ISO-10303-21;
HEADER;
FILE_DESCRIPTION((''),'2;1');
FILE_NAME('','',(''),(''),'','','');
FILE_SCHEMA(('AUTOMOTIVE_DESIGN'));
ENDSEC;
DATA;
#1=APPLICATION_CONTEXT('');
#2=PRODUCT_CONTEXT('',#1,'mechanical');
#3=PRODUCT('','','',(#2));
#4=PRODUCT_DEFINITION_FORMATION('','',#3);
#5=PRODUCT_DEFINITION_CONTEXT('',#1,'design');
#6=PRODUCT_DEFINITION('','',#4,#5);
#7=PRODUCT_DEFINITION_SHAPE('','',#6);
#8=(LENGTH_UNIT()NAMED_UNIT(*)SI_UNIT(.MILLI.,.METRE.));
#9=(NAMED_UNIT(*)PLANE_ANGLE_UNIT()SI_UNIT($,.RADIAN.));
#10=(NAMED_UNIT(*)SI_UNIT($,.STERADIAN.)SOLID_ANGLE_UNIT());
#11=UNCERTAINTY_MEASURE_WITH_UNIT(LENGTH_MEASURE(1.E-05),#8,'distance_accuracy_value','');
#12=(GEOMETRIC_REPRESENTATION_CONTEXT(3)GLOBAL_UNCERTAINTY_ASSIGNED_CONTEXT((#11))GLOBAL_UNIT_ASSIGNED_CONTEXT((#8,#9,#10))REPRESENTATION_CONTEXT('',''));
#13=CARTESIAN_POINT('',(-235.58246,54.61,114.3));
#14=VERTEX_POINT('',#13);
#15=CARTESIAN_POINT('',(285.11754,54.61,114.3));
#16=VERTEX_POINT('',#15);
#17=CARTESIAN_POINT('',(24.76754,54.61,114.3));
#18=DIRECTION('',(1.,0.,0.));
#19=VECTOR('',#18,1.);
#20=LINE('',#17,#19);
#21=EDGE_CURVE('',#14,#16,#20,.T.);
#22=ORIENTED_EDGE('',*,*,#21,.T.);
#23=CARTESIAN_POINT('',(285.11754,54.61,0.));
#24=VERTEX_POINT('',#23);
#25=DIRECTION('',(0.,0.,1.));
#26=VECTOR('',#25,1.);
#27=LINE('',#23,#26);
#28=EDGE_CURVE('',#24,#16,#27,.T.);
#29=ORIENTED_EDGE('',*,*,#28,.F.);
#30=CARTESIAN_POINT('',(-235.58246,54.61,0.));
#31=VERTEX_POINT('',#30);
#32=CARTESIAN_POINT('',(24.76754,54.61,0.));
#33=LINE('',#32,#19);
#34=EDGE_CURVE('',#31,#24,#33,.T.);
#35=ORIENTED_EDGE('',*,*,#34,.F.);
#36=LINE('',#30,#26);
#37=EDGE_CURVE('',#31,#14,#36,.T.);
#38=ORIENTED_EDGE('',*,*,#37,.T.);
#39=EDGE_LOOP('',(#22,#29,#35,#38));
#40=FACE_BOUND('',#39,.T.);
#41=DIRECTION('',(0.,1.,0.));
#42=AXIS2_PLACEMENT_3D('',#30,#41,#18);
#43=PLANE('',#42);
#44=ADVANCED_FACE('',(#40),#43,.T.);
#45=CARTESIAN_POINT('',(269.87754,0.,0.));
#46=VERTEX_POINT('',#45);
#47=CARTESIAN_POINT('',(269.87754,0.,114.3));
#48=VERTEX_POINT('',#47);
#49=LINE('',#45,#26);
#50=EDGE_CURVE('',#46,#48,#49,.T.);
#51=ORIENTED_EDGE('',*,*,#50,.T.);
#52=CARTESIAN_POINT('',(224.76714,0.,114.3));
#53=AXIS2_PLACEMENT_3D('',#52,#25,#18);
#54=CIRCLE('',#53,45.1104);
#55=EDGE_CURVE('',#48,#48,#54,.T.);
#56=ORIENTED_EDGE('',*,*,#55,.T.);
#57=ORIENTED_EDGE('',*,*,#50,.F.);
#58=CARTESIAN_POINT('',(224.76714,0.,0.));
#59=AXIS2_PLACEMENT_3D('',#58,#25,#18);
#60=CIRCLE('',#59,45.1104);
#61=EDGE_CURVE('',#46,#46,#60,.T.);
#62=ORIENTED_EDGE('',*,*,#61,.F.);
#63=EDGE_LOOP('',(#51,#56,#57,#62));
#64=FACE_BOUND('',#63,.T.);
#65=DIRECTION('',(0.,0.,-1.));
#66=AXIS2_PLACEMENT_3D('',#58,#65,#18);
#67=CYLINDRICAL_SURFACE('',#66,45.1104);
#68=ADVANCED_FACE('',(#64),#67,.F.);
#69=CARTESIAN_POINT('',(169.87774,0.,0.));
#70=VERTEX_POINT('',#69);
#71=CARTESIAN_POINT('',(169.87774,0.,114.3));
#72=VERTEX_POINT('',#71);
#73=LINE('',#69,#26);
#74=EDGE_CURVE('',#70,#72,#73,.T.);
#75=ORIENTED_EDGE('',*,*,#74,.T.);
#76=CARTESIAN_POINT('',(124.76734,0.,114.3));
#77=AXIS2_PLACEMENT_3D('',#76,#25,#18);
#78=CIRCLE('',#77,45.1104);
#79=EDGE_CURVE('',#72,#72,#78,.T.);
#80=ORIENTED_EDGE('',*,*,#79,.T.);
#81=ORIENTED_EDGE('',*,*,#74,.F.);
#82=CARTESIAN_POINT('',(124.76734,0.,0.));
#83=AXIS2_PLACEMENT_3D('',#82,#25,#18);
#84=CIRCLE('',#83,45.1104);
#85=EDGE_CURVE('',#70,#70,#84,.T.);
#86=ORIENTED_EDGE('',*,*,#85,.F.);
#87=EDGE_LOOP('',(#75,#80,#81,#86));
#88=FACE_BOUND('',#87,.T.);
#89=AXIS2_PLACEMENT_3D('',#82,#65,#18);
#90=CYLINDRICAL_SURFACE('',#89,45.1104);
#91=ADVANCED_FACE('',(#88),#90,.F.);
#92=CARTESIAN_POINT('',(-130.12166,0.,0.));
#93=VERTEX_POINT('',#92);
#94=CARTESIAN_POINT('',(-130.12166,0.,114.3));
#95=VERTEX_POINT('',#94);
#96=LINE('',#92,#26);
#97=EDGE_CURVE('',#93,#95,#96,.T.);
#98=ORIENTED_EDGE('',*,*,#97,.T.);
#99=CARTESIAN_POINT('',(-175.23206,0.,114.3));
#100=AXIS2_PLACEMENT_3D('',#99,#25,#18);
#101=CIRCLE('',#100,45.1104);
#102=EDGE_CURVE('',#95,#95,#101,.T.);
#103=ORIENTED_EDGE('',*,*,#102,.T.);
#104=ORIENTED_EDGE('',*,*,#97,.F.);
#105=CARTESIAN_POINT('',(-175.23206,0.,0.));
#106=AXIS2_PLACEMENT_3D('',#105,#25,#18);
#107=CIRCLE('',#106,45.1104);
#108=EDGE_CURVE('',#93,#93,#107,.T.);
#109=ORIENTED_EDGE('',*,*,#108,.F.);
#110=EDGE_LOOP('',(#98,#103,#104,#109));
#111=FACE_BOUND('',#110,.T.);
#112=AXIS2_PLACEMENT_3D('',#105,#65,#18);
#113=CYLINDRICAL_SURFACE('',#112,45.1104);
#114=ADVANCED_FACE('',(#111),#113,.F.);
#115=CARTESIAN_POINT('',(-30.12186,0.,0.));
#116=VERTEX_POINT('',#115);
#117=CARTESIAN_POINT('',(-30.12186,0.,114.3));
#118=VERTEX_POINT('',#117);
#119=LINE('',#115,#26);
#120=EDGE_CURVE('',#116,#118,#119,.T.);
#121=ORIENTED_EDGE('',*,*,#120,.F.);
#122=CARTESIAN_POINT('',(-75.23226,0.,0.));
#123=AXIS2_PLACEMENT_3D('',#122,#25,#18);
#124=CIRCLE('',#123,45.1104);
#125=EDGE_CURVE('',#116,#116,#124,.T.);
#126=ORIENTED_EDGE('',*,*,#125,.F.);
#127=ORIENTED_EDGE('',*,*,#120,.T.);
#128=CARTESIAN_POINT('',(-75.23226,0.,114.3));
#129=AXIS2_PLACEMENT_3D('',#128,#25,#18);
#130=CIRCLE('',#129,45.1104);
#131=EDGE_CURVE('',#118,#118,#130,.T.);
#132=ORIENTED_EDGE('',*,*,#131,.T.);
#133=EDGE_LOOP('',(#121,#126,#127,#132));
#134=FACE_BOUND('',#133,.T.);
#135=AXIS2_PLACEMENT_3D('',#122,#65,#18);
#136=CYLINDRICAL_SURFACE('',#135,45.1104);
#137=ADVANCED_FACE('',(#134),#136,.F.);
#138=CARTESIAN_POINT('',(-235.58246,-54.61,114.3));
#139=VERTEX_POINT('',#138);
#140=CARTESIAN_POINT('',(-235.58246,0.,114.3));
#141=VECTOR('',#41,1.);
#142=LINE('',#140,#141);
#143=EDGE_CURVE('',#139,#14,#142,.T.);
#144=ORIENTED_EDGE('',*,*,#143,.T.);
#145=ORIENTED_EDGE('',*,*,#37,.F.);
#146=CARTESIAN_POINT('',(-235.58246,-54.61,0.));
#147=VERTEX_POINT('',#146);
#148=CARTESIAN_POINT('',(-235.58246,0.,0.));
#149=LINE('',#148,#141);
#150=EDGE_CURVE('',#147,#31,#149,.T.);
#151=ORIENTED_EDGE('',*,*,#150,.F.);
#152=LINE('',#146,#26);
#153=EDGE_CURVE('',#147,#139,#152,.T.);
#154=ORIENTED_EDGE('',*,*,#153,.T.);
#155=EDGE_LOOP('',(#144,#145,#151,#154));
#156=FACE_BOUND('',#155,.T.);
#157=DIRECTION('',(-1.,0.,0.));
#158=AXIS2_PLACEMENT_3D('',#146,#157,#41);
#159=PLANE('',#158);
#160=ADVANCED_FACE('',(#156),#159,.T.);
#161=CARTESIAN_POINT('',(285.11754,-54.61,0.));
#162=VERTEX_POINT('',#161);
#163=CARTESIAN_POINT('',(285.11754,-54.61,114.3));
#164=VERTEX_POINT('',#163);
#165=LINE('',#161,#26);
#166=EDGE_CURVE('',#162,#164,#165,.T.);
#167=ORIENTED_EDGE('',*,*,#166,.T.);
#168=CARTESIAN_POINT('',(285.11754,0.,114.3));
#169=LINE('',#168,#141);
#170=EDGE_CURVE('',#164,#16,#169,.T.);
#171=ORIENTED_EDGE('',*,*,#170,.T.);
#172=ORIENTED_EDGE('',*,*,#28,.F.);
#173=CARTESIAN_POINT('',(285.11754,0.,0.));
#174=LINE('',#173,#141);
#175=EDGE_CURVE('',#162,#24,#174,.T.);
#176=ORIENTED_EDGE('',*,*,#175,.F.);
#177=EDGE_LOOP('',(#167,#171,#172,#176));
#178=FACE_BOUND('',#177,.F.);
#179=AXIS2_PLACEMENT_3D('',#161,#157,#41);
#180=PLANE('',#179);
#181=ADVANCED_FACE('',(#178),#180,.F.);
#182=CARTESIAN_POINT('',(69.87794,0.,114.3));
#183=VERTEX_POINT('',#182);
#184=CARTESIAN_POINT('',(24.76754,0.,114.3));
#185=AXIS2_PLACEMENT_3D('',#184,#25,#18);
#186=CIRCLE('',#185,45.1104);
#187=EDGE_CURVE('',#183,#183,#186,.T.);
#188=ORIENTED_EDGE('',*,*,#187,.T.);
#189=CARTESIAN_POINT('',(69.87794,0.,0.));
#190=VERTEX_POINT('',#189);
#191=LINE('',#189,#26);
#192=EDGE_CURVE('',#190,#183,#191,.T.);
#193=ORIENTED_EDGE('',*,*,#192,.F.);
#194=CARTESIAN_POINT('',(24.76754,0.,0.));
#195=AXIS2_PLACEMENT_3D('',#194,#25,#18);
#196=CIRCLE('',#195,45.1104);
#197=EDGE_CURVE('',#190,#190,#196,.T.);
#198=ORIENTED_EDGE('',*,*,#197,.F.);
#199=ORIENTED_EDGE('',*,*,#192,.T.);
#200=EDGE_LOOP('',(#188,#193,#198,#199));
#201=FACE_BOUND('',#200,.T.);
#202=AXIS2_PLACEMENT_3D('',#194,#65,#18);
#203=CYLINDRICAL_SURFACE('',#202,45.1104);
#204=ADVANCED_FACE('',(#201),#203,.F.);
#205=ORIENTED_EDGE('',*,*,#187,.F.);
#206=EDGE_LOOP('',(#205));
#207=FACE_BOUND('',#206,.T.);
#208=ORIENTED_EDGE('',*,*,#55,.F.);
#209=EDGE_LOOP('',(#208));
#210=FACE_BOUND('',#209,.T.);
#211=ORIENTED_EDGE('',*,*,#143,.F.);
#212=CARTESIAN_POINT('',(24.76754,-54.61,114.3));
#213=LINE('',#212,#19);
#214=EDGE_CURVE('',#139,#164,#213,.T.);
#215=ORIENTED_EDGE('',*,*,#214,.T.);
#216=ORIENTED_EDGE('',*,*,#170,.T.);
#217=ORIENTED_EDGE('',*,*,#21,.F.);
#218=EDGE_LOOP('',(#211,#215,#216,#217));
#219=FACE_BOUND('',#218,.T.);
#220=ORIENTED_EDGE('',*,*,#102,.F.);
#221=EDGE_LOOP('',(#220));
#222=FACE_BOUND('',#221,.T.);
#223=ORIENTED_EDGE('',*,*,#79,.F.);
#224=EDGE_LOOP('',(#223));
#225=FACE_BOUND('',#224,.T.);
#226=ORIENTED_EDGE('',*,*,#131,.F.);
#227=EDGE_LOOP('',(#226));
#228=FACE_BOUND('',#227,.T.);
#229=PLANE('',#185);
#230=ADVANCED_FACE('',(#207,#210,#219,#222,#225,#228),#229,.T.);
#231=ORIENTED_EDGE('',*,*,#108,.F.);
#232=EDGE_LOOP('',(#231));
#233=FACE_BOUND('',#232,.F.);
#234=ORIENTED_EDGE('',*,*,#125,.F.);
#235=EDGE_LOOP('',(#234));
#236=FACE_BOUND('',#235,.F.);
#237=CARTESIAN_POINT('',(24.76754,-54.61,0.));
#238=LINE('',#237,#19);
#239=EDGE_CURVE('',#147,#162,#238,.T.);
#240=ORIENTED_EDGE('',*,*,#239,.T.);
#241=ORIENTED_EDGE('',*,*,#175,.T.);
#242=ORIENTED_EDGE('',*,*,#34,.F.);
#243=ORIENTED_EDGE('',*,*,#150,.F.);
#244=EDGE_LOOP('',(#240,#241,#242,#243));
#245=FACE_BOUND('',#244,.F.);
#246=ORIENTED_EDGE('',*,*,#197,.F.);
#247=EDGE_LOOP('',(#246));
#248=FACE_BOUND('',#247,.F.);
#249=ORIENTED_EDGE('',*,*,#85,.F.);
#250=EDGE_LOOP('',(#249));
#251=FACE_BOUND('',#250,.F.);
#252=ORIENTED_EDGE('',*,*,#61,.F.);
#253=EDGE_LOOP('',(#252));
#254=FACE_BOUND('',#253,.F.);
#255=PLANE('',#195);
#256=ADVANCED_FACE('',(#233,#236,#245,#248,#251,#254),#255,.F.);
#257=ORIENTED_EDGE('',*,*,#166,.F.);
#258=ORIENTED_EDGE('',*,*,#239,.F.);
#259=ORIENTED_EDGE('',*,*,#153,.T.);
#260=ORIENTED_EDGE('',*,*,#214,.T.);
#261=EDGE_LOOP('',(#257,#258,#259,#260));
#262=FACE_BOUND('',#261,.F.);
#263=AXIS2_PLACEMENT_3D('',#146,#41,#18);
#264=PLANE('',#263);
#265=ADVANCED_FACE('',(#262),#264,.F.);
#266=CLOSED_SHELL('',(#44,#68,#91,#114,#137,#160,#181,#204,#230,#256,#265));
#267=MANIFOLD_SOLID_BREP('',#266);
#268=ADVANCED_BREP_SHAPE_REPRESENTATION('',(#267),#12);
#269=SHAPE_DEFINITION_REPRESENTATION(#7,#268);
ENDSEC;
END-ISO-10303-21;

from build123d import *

# Parameters (mm, degrees)
F0_W     = 520.7
F0_H     = 109.22
F0_R     = 45.1104
F1_DEPTH = 114.3


with BuildPart() as f1:
    # F0 (on Top) → F1 (new body)
    with BuildSketch(Plane.XY):
        with Locations((24.76754, 0)):
            Rectangle(F0_W, F0_H)
        with Locations((-175.23206, 0)):
            Circle(F0_R, mode=Mode.SUBTRACT)
        with Locations((-75.23226, 0)):
            Circle(F0_R, mode=Mode.SUBTRACT)
        with Locations((24.76754, 0)):
            Circle(F0_R, mode=Mode.SUBTRACT)
        with Locations((124.76734, 0)):
            Circle(F0_R, mode=Mode.SUBTRACT)
        with Locations((224.76714, 0)):
            Circle(F0_R, mode=Mode.SUBTRACT)
    extrude(amount=F1_DEPTH)


solid = f1.part
